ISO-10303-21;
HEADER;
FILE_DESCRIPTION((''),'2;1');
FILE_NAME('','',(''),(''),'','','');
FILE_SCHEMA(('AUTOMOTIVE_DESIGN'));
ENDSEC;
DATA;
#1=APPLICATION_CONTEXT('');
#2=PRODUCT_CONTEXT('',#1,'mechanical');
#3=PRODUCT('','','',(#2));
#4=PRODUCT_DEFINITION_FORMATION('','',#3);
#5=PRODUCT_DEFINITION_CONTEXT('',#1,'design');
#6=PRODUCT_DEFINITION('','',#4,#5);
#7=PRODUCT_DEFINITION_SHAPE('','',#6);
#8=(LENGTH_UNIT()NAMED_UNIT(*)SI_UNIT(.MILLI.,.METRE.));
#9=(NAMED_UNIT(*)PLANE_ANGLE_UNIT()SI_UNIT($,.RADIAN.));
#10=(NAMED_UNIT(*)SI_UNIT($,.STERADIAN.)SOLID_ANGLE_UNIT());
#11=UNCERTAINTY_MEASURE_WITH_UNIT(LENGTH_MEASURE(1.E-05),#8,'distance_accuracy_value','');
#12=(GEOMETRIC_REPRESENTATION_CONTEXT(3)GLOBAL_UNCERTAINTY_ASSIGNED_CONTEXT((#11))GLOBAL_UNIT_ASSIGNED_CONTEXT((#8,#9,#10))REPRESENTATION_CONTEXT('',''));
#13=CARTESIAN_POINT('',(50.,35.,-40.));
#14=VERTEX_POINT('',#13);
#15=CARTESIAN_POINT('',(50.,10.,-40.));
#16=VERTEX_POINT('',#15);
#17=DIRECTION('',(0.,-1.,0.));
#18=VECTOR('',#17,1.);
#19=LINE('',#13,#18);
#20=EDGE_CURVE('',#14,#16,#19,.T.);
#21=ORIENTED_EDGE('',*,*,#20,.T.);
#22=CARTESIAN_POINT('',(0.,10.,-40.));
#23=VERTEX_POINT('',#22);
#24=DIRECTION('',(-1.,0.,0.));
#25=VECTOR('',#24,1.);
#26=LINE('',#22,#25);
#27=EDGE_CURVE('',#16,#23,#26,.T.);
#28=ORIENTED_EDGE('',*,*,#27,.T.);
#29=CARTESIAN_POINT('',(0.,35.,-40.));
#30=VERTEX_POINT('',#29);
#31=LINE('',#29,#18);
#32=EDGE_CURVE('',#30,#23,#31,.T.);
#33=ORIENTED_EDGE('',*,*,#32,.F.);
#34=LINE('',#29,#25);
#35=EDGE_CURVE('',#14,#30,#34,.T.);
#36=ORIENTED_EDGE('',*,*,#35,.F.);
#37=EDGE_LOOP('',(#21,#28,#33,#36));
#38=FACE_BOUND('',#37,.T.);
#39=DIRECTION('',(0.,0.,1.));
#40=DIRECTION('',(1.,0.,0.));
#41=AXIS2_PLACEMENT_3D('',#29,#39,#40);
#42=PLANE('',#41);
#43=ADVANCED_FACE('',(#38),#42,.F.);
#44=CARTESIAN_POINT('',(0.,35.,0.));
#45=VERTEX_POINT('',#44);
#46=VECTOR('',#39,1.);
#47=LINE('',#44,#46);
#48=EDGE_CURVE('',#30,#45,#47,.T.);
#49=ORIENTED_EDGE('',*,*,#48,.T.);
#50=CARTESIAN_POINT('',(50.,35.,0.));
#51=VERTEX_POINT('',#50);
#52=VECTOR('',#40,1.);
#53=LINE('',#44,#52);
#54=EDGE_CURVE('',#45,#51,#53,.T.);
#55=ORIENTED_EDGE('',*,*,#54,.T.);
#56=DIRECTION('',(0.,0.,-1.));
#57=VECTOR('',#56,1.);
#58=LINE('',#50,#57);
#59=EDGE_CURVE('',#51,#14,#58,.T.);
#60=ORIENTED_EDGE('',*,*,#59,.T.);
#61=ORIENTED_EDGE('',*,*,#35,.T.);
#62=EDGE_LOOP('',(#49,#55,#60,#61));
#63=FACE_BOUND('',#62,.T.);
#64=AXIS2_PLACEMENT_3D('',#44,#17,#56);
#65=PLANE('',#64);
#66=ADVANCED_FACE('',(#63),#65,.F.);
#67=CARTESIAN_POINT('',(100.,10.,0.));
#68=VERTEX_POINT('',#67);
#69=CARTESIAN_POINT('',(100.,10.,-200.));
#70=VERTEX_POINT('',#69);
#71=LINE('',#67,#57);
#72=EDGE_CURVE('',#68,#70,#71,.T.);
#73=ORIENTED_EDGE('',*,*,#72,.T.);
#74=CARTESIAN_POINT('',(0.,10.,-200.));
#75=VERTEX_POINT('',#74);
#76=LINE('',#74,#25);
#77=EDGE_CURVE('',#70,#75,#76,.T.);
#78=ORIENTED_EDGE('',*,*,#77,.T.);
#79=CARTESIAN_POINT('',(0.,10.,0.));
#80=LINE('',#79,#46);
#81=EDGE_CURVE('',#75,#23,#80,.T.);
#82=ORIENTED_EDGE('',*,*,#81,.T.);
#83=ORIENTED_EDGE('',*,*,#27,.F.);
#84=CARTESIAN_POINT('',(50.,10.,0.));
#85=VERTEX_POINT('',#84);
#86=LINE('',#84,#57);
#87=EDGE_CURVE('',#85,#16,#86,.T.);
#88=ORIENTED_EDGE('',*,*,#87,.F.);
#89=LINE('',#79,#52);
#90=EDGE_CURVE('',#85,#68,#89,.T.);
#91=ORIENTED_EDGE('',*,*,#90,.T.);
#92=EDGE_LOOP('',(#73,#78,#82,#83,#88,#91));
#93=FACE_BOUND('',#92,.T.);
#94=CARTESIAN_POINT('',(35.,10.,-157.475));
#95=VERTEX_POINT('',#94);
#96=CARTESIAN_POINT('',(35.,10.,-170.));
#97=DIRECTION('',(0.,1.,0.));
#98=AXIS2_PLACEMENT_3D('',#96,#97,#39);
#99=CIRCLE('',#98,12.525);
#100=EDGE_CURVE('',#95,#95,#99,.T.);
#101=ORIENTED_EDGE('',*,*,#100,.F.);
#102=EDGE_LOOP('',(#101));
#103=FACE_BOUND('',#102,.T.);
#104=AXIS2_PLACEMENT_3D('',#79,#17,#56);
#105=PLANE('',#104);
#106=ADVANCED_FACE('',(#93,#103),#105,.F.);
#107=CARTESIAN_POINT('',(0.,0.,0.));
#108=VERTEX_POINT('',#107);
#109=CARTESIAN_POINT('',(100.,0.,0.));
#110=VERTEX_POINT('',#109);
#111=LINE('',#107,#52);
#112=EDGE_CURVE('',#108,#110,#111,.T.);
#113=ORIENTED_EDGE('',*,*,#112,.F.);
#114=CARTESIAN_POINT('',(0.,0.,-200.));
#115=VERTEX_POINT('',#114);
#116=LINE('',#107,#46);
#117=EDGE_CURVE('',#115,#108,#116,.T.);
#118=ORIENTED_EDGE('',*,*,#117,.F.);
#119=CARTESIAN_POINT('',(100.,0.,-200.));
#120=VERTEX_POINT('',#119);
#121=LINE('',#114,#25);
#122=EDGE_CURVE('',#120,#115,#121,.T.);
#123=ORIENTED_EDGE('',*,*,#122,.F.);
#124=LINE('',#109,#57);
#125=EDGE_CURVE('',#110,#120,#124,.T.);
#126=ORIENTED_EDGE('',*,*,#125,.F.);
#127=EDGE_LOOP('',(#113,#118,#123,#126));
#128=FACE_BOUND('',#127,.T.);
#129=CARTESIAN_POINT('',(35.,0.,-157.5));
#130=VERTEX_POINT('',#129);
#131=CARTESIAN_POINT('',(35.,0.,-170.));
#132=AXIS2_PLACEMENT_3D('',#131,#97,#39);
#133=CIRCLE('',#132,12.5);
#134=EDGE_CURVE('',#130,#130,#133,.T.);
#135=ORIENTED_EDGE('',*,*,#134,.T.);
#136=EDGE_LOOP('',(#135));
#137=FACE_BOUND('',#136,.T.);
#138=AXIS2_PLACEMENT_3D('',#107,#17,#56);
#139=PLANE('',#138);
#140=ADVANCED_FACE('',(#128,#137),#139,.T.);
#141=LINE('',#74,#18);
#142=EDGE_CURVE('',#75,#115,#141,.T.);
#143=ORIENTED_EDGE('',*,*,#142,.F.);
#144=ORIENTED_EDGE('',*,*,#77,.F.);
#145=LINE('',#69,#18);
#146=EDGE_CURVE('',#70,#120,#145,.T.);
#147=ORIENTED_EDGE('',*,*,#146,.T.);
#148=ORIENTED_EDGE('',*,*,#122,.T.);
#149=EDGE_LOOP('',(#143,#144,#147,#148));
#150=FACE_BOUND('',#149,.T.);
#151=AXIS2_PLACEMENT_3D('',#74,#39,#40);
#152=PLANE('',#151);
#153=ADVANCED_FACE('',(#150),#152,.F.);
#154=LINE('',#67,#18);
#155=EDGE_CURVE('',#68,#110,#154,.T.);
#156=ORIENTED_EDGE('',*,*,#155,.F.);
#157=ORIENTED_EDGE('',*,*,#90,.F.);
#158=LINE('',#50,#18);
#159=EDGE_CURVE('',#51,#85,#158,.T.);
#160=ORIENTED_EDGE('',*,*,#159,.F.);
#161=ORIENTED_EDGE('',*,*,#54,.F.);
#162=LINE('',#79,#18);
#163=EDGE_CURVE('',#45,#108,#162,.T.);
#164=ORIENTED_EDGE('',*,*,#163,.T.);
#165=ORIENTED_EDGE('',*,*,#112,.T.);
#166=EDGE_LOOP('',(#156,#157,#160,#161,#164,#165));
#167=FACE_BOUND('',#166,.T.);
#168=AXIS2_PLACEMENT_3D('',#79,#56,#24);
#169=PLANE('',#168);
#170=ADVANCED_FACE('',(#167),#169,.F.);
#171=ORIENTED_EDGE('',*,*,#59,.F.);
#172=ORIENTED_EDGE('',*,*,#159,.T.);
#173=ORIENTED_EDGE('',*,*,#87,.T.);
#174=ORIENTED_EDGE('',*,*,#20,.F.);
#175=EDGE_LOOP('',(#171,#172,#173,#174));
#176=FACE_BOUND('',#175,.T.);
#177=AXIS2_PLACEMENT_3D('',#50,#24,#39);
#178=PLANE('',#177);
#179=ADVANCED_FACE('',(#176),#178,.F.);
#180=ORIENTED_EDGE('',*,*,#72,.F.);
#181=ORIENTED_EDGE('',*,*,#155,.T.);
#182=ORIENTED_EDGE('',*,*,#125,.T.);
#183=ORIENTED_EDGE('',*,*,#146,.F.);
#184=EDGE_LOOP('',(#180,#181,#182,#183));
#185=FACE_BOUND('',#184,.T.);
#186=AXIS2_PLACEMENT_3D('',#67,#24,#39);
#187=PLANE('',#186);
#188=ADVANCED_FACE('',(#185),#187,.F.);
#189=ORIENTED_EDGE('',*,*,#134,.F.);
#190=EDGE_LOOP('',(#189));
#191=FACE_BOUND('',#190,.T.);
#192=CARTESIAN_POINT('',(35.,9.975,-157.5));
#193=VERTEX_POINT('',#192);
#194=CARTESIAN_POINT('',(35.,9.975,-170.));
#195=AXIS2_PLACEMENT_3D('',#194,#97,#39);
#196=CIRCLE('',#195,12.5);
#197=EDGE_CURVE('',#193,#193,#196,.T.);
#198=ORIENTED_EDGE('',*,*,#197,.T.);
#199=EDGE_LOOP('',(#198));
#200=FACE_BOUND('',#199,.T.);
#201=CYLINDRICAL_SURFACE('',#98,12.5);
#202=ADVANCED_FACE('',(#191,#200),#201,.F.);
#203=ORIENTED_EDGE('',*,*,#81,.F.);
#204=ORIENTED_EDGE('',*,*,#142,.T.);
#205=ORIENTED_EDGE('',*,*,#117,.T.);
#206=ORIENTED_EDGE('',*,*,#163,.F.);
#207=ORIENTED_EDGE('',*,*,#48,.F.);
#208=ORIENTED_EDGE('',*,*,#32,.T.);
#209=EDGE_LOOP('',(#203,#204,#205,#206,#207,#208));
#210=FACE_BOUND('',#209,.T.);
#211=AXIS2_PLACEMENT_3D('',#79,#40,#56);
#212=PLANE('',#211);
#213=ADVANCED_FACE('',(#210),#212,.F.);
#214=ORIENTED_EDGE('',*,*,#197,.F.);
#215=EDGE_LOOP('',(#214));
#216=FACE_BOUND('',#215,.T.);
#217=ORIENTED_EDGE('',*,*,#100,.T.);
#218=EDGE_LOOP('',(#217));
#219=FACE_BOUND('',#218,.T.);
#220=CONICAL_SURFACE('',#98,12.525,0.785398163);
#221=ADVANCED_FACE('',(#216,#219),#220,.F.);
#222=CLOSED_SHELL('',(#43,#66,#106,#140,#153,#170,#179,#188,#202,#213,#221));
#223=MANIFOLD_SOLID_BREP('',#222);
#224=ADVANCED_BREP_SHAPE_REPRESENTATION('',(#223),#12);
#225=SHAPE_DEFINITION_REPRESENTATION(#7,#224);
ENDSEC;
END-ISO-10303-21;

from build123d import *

# Parameters (mm, degrees)
SKETCH1_W           = 100
SKETCH1_H           = 200
BOSS_EXTRUDE1_DEPTH = 10
SKETCH3_W           = 50
SKETCH3_H           = 40
BOSS_EXTRUDE2_DEPTH = 25


with BuildPart() as part:
    # Sketch1 → Boss-Extrude1 (new body)
    with BuildSketch(Plane(origin=(0, 0, 0), x_dir=(1, 0, 0), z_dir=(0, 1, 0))):
        with Locations((50, 100)):
            Rectangle(SKETCH1_W, SKETCH1_H)
    extrude(amount=BOSS_EXTRUDE1_DEPTH)

    # Sketch3 → Boss-Extrude2 (add)
    with BuildSketch(Plane(origin=(0, 10, 0), x_dir=(1, 0, 0), z_dir=(0, 1, 0))):
        with Locations((25, 20)):
            Rectangle(SKETCH3_W, SKETCH3_H)
    extrude(amount=BOSS_EXTRUDE2_DEPTH)

    # Sketch9 → Ø25.0 (25) Diameter Hole2 (revolve, cut)
    with BuildSketch(Plane(origin=(35, 10, -170), x_dir=(0, 0, 1), z_dir=(1, 0, 0))):
        Polygon((0, 0), (0, 10), (12.5, 10), (12.5, 0.025), (12.525, 0), align=None)
    revolve(axis=Axis((35, 16.35, -170), (0, -1, 0)), mode=Mode.SUBTRACT)


solid = part.part
